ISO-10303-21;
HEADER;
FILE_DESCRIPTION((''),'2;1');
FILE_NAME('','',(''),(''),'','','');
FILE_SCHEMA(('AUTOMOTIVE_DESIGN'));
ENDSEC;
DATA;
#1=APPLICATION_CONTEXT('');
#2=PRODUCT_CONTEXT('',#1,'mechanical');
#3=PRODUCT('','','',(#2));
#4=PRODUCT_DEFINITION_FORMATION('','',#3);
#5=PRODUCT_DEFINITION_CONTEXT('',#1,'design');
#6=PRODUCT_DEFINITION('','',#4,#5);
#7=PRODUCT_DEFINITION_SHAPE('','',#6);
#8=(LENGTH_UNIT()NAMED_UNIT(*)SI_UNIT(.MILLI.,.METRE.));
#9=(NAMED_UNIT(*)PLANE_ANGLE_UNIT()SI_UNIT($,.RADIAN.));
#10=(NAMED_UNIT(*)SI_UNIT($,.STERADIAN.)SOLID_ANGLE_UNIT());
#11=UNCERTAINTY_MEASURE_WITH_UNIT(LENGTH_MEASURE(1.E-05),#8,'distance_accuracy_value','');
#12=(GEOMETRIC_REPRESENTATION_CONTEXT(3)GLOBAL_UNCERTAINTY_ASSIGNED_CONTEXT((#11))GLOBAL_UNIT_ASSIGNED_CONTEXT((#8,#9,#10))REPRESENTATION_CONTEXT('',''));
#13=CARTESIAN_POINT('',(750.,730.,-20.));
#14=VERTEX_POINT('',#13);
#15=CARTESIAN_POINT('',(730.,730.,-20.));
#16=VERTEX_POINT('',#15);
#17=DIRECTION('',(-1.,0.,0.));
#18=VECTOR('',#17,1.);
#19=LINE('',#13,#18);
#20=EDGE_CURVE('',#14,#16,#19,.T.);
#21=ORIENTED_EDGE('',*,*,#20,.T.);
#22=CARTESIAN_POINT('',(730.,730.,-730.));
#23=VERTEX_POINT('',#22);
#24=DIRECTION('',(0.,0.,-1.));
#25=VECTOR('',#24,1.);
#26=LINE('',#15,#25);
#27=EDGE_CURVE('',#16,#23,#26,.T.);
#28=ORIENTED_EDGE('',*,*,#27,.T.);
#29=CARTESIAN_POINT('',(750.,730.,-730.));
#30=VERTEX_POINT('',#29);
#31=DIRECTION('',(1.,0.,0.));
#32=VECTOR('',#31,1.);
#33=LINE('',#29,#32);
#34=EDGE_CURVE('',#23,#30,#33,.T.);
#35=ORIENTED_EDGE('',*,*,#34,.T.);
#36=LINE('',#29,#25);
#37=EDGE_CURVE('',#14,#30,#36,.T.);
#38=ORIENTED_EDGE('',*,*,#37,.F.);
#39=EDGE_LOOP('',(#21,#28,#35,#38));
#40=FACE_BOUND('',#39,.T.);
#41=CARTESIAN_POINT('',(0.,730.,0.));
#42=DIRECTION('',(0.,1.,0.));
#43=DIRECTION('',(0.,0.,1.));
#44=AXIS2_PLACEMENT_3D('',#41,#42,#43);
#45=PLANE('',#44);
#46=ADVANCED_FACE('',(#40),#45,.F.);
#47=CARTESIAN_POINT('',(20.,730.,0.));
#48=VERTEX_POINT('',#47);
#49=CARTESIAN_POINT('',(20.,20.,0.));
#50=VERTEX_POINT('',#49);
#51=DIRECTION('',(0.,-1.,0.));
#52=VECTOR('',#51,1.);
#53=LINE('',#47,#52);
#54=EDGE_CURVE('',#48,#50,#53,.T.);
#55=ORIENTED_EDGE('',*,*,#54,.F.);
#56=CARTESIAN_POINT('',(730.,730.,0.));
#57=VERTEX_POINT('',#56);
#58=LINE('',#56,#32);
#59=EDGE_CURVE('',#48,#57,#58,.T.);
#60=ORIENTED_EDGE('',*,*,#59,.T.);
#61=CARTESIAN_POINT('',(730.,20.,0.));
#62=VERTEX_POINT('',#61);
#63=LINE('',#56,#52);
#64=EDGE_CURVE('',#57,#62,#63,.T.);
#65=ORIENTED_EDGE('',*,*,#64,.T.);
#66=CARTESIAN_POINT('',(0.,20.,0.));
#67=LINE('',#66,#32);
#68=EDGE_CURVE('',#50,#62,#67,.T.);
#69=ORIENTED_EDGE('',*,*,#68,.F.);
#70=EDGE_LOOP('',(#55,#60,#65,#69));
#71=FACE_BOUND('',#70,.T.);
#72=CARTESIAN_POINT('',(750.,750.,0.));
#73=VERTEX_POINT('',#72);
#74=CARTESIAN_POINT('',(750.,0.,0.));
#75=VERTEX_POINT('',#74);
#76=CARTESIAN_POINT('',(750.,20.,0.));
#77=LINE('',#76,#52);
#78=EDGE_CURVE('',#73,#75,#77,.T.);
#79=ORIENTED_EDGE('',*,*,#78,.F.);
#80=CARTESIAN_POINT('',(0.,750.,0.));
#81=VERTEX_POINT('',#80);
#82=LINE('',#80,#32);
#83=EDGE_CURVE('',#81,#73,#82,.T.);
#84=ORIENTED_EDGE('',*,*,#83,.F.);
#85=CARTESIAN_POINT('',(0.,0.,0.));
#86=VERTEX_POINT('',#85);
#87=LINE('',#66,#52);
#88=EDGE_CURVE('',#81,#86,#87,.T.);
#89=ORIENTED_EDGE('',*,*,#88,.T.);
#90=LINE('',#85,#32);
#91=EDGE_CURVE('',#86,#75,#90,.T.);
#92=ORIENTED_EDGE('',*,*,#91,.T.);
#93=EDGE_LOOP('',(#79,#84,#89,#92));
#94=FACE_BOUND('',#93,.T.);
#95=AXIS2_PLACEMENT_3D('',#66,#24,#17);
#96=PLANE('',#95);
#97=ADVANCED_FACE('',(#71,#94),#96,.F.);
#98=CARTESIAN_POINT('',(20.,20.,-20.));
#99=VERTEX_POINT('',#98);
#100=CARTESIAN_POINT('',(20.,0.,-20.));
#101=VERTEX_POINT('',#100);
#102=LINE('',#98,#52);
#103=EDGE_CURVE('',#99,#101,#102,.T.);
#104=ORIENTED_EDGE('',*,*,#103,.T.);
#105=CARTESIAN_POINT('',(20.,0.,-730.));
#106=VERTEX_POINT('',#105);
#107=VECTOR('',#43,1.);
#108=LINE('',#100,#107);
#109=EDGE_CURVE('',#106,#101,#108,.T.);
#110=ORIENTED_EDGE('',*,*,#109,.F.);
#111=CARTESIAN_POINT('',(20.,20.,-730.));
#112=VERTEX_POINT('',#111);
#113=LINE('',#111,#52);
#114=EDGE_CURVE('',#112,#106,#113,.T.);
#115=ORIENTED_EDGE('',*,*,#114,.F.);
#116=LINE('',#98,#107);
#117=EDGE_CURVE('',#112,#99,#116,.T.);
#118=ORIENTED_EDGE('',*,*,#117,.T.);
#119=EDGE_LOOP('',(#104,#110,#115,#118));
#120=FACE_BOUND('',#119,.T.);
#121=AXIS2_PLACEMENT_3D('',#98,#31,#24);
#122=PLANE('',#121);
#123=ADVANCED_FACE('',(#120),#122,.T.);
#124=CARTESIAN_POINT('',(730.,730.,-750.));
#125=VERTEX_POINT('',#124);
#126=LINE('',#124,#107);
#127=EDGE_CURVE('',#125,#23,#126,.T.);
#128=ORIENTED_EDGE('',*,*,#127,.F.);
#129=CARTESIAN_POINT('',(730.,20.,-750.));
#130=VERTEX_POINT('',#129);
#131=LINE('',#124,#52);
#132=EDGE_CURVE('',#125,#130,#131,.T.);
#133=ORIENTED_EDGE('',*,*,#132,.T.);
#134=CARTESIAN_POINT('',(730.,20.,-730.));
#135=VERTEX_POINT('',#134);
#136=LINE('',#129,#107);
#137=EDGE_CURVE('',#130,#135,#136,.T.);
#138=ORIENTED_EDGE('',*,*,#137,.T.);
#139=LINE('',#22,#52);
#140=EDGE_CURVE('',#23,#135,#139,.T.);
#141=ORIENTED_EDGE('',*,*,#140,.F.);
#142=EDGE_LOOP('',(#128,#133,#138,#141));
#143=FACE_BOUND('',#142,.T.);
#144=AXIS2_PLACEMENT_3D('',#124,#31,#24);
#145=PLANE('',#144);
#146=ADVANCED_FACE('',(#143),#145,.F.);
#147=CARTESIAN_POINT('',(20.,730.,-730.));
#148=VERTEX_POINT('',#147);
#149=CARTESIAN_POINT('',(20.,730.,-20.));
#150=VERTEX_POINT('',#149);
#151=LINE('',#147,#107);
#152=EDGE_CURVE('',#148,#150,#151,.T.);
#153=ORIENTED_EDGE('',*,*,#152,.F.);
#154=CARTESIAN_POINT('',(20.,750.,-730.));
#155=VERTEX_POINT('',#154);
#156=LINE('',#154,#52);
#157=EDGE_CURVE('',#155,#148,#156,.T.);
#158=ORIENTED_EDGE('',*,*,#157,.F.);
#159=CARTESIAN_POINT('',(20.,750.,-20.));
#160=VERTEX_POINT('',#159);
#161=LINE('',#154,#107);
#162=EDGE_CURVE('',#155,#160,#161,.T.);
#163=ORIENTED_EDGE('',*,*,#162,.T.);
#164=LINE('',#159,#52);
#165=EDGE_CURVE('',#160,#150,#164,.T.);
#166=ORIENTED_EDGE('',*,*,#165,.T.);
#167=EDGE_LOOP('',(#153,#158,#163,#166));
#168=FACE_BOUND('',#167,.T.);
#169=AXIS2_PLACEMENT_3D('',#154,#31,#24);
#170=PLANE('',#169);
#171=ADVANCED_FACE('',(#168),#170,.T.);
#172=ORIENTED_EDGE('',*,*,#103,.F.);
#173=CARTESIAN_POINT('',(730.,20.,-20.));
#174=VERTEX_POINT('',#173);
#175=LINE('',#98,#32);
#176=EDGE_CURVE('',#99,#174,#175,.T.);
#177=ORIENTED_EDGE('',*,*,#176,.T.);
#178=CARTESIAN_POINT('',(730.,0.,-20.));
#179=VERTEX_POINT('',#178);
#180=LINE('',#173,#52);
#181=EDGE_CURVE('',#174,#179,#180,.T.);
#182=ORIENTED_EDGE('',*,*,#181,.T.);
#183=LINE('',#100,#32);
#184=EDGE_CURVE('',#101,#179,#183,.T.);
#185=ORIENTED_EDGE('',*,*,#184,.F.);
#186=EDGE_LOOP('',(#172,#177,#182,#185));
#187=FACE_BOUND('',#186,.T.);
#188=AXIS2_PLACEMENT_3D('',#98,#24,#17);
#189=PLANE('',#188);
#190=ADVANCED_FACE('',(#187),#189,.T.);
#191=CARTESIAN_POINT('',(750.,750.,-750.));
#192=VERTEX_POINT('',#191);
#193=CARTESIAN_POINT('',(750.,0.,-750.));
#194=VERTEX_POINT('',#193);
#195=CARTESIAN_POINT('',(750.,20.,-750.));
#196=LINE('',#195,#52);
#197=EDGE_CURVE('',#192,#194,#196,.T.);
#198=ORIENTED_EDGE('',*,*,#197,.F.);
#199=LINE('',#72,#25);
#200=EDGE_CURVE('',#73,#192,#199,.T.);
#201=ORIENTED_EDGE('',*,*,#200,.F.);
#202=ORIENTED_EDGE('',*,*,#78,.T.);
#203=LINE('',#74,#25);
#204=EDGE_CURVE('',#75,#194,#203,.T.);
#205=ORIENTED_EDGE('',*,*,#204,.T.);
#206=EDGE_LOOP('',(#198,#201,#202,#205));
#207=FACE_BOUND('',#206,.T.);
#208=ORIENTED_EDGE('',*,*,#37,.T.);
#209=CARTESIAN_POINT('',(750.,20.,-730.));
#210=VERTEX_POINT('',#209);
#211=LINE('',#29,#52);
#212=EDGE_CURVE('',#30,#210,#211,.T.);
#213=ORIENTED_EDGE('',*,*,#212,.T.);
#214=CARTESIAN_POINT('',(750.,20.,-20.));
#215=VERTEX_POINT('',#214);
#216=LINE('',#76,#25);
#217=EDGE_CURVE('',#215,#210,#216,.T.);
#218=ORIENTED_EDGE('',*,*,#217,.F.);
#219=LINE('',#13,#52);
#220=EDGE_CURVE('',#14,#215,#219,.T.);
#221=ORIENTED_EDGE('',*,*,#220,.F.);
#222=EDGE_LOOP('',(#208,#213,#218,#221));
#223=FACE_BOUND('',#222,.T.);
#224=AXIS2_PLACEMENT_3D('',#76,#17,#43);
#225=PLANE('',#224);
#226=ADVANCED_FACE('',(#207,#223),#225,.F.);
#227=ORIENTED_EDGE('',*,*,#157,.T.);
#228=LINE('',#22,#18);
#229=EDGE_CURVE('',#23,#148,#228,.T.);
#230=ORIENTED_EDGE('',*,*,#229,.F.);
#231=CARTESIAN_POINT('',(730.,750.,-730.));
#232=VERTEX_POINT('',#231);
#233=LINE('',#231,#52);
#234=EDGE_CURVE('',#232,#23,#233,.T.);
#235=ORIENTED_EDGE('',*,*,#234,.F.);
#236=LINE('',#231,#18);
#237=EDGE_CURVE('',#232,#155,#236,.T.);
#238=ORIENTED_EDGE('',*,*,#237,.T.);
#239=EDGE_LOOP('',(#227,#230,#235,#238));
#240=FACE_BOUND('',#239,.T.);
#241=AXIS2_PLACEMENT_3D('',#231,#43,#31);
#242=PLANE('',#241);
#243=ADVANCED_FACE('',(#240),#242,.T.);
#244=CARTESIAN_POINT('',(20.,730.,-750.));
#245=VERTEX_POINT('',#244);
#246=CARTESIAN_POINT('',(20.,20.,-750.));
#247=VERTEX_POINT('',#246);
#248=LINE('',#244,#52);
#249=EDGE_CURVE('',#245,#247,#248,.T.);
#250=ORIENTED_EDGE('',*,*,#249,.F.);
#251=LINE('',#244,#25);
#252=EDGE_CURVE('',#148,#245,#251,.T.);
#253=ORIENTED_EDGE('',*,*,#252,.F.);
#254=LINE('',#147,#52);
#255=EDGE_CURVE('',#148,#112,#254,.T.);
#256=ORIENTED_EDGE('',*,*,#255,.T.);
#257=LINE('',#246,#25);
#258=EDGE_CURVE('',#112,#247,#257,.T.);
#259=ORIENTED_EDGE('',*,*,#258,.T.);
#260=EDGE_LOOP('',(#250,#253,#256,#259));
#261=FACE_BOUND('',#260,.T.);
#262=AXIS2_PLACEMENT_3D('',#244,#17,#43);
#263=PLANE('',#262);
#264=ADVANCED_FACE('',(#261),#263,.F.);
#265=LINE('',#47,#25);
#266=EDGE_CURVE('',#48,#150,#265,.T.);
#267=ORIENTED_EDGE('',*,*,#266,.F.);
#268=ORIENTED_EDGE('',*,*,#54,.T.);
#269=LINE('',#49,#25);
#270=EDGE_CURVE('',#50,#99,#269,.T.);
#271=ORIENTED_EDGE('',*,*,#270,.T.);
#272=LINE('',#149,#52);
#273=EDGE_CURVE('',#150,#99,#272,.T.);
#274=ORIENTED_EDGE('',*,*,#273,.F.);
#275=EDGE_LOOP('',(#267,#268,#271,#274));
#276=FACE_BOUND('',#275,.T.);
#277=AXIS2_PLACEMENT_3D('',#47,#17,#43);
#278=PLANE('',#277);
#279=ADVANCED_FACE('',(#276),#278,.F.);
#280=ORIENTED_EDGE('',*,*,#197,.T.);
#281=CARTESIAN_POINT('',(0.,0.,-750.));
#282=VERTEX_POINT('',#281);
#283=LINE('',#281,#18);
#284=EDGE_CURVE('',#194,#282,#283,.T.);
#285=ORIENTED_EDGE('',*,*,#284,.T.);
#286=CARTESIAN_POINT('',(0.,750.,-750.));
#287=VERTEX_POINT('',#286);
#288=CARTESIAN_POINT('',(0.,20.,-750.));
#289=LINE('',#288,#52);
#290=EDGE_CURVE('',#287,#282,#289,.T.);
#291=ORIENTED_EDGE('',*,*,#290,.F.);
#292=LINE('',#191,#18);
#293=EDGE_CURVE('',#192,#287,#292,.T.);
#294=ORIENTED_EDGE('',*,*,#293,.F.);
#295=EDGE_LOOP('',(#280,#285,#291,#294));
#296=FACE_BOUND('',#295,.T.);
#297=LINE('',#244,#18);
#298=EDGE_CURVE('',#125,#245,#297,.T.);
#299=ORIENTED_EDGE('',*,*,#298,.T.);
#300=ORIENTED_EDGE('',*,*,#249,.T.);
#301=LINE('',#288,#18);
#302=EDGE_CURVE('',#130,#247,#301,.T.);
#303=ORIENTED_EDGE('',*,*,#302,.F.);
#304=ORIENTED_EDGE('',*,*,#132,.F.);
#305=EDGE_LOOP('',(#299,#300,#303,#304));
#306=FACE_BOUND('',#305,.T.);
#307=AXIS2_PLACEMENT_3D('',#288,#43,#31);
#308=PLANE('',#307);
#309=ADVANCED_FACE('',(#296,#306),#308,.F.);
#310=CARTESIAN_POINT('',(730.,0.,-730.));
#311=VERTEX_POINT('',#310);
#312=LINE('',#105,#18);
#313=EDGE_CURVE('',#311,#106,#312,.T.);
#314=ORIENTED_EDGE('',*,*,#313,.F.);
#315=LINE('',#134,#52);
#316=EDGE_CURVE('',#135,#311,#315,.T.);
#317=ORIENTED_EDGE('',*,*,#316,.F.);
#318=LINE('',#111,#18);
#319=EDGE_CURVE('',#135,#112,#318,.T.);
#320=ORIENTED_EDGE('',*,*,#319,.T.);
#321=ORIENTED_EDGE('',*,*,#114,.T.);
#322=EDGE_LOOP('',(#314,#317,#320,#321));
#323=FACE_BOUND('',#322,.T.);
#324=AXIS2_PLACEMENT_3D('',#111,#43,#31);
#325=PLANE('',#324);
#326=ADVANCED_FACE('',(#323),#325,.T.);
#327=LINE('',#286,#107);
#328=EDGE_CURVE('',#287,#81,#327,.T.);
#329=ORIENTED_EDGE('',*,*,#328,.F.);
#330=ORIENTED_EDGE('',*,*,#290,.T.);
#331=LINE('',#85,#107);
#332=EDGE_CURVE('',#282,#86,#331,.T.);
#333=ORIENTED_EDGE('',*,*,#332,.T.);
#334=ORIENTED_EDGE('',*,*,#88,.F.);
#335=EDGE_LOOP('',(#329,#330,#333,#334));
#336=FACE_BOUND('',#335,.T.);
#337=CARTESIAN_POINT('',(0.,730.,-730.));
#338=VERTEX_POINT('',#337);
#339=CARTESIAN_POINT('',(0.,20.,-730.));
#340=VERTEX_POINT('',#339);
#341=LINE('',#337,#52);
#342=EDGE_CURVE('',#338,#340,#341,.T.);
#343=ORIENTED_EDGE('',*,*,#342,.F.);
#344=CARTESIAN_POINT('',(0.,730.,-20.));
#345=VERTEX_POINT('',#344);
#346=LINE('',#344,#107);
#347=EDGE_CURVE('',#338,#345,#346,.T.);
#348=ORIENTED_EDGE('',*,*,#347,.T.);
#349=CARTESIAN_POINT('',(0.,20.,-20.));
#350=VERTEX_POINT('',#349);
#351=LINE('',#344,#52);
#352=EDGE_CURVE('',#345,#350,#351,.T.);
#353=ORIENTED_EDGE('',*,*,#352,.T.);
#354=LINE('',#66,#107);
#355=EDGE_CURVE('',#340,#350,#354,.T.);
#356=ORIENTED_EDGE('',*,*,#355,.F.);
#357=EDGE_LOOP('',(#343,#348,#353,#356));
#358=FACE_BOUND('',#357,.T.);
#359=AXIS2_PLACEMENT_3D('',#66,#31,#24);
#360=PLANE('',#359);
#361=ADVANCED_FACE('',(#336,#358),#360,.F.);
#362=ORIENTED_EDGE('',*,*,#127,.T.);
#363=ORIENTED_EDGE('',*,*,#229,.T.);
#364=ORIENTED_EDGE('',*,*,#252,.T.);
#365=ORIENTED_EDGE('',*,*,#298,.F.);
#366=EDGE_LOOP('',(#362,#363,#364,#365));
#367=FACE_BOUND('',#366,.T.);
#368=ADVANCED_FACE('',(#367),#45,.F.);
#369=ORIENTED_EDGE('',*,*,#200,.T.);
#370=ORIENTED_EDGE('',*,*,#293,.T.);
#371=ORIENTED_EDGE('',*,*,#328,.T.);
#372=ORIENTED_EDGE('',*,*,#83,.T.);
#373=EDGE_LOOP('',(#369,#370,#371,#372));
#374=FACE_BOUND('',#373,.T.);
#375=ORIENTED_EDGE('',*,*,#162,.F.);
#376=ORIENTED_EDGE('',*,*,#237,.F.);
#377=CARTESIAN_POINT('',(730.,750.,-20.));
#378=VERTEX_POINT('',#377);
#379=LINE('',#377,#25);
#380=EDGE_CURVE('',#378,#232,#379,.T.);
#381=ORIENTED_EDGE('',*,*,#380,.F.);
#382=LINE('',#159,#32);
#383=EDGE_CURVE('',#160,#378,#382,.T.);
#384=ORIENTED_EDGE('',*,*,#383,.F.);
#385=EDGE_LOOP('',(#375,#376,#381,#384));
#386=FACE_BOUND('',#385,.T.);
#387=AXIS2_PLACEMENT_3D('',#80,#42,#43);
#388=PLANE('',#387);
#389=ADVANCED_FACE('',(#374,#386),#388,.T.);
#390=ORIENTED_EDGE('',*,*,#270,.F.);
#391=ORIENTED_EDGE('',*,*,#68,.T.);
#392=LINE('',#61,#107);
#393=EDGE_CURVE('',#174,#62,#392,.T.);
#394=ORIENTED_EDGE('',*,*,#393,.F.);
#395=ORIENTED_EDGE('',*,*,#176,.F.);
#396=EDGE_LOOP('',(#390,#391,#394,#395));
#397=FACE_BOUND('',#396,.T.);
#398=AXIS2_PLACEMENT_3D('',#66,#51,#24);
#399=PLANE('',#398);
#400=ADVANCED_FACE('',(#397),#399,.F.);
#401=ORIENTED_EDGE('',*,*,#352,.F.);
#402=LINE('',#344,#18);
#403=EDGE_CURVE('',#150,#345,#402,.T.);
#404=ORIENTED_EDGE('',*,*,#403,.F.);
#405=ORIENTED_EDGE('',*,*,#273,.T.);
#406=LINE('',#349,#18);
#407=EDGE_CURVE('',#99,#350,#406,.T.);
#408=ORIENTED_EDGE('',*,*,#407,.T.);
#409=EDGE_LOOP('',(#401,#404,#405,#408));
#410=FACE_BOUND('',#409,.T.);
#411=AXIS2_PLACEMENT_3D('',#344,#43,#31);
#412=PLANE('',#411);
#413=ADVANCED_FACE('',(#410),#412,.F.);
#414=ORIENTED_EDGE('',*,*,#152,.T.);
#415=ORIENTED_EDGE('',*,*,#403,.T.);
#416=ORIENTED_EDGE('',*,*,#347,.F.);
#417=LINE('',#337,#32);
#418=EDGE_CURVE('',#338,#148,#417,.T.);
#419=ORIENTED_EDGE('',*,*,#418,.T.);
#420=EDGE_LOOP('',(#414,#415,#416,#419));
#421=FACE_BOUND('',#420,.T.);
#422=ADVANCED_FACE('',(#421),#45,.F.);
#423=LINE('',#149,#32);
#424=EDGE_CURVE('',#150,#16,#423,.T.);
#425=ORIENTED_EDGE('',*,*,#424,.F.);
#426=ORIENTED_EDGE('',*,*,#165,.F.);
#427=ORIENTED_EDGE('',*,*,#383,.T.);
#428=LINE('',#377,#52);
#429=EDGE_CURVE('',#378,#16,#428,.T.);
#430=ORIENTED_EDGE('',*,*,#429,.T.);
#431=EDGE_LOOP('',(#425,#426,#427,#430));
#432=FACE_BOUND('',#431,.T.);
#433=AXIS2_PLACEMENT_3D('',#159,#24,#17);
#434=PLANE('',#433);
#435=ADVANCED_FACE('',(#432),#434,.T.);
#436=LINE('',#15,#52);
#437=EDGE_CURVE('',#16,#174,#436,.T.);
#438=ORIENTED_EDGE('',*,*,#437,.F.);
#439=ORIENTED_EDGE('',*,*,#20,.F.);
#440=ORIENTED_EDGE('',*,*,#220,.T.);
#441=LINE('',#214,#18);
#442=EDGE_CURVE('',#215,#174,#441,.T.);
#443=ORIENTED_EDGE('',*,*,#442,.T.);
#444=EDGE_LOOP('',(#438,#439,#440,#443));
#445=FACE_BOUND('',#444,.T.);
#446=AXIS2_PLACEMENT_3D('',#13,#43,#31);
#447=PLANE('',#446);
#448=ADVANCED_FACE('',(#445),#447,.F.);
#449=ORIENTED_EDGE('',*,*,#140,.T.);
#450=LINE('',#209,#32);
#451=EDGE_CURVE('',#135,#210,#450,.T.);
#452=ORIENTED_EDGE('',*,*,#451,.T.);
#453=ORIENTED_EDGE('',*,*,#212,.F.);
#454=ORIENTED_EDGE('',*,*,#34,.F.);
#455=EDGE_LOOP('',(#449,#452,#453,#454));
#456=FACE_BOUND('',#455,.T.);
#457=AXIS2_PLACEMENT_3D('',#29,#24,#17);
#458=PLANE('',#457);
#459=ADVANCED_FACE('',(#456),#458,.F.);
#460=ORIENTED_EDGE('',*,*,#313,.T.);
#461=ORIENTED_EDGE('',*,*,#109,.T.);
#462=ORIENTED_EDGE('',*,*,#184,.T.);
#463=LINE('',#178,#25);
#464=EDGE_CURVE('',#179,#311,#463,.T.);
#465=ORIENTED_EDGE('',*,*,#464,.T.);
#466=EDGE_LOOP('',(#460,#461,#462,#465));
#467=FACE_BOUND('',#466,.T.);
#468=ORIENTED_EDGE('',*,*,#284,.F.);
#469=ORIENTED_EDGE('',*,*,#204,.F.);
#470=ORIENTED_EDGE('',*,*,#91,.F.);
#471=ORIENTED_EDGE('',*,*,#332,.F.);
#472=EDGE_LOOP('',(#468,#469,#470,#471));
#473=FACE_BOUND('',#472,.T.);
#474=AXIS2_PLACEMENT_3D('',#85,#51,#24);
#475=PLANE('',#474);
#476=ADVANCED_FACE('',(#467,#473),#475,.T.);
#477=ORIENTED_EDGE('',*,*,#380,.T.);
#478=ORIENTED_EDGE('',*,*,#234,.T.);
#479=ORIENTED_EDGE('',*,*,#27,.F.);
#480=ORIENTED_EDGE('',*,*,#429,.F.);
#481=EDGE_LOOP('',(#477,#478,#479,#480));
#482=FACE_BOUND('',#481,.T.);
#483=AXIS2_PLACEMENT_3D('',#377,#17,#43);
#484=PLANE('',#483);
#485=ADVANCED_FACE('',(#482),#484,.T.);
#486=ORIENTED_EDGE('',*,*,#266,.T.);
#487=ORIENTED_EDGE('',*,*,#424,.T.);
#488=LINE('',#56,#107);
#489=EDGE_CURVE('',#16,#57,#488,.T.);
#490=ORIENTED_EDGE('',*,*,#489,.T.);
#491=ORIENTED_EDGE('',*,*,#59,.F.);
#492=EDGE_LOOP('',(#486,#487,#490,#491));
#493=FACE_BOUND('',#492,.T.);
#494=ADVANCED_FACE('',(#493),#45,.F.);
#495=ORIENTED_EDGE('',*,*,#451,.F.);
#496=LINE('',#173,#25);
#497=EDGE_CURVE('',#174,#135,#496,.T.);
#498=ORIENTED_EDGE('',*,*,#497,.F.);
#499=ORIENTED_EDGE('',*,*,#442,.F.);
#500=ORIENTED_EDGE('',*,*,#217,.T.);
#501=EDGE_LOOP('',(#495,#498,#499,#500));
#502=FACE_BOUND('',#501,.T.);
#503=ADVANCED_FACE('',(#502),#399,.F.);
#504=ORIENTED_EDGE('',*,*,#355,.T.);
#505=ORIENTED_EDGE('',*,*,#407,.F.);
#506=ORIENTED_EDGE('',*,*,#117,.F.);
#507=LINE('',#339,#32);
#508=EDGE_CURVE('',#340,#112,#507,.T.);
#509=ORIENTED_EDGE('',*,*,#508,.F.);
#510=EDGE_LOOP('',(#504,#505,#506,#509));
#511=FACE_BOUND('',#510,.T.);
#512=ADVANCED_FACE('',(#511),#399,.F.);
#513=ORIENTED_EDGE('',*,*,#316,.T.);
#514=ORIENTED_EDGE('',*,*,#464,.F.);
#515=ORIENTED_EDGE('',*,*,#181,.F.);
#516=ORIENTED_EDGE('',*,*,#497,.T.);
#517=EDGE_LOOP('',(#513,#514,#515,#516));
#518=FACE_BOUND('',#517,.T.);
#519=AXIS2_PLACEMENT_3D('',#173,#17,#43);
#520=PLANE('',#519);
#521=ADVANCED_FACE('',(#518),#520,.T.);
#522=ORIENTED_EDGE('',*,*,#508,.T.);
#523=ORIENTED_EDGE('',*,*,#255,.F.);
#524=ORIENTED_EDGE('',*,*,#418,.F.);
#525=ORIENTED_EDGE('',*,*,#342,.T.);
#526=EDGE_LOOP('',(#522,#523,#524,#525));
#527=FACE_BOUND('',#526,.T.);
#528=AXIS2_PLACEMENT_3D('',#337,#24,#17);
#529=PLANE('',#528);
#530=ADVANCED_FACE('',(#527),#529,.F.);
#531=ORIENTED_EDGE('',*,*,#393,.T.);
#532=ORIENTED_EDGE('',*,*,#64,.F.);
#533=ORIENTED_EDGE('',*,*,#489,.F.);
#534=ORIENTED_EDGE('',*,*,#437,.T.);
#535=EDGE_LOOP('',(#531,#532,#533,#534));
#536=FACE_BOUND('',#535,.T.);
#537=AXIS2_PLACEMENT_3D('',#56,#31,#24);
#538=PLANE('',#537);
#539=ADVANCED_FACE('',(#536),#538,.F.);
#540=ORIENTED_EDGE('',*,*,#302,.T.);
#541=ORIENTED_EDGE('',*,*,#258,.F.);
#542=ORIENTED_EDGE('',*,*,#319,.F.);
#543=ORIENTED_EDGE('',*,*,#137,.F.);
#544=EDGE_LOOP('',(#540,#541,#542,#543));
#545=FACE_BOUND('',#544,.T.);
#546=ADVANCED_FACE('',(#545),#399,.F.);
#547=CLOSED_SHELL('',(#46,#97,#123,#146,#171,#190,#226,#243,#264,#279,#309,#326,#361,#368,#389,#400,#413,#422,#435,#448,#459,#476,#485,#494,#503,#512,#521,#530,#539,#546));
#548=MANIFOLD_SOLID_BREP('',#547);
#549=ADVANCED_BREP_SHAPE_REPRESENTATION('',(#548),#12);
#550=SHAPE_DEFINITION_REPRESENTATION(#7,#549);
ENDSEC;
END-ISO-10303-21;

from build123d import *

# Parameters (mm, degrees)
SKETCH1_W           = 750
SKETCH1_H           = 750
SKETCH1_W_2         = 710
SKETCH1_H_2         = 710
BOSS_EXTRUDE1_DEPTH = 20
SKETCH2_W           = 20
SKETCH2_H           = 20
BOSS_EXTRUDE2_DEPTH = 710
SKETCH3_W           = 710
SKETCH3_H           = 710
BOSS_EXTRUDE3_DEPTH = 20


with BuildPart() as part:
    # Sketch1 → Boss-Extrude1 (new body)
    with BuildSketch(Plane(origin=(0, 0, 0), x_dir=(1, 0, 0), z_dir=(0, 1, 0))):
        with Locations((375, 375)):
            Rectangle(SKETCH1_W, SKETCH1_H)
        with Locations((375, 375)):
            Rectangle(SKETCH1_W_2, SKETCH1_H_2, mode=Mode.SUBTRACT)
    extrude(amount=BOSS_EXTRUDE1_DEPTH)

    # Sketch2 → Boss-Extrude2 (add)
    with BuildSketch(Plane(origin=(0, 20, 0), x_dir=(1, 0, 0), z_dir=(0, 1, 0))):
        with Locations((10, 740)):
            Rectangle(SKETCH2_W, SKETCH2_H)
        with Locations((740, 740)):
            Rectangle(SKETCH2_W, SKETCH2_H)
        with Locations((10, 10)):
            Rectangle(SKETCH2_W, SKETCH2_H)
        with Locations((740, 10)):
            Rectangle(SKETCH2_W, SKETCH2_H)
    extrude(amount=BOSS_EXTRUDE2_DEPTH)

    # Sketch3 → Boss-Extrude3 (add)
    with BuildSketch(Plane(origin=(0, 730, 0), x_dir=(1, 0, 0), z_dir=(0, 1, 0))):
        Polygon((730, 750), (20, 750), (0, 750), (0, 730), (0, 20), (0, 0), (20, 0), (730, 0), (750, 0), (750, 20), (750, 730), (750, 750), align=None)
        with Locations((375, 375)):
            Rectangle(SKETCH3_W, SKETCH3_H, mode=Mode.SUBTRACT)
    extrude(amount=BOSS_EXTRUDE3_DEPTH)


solid = part.part
